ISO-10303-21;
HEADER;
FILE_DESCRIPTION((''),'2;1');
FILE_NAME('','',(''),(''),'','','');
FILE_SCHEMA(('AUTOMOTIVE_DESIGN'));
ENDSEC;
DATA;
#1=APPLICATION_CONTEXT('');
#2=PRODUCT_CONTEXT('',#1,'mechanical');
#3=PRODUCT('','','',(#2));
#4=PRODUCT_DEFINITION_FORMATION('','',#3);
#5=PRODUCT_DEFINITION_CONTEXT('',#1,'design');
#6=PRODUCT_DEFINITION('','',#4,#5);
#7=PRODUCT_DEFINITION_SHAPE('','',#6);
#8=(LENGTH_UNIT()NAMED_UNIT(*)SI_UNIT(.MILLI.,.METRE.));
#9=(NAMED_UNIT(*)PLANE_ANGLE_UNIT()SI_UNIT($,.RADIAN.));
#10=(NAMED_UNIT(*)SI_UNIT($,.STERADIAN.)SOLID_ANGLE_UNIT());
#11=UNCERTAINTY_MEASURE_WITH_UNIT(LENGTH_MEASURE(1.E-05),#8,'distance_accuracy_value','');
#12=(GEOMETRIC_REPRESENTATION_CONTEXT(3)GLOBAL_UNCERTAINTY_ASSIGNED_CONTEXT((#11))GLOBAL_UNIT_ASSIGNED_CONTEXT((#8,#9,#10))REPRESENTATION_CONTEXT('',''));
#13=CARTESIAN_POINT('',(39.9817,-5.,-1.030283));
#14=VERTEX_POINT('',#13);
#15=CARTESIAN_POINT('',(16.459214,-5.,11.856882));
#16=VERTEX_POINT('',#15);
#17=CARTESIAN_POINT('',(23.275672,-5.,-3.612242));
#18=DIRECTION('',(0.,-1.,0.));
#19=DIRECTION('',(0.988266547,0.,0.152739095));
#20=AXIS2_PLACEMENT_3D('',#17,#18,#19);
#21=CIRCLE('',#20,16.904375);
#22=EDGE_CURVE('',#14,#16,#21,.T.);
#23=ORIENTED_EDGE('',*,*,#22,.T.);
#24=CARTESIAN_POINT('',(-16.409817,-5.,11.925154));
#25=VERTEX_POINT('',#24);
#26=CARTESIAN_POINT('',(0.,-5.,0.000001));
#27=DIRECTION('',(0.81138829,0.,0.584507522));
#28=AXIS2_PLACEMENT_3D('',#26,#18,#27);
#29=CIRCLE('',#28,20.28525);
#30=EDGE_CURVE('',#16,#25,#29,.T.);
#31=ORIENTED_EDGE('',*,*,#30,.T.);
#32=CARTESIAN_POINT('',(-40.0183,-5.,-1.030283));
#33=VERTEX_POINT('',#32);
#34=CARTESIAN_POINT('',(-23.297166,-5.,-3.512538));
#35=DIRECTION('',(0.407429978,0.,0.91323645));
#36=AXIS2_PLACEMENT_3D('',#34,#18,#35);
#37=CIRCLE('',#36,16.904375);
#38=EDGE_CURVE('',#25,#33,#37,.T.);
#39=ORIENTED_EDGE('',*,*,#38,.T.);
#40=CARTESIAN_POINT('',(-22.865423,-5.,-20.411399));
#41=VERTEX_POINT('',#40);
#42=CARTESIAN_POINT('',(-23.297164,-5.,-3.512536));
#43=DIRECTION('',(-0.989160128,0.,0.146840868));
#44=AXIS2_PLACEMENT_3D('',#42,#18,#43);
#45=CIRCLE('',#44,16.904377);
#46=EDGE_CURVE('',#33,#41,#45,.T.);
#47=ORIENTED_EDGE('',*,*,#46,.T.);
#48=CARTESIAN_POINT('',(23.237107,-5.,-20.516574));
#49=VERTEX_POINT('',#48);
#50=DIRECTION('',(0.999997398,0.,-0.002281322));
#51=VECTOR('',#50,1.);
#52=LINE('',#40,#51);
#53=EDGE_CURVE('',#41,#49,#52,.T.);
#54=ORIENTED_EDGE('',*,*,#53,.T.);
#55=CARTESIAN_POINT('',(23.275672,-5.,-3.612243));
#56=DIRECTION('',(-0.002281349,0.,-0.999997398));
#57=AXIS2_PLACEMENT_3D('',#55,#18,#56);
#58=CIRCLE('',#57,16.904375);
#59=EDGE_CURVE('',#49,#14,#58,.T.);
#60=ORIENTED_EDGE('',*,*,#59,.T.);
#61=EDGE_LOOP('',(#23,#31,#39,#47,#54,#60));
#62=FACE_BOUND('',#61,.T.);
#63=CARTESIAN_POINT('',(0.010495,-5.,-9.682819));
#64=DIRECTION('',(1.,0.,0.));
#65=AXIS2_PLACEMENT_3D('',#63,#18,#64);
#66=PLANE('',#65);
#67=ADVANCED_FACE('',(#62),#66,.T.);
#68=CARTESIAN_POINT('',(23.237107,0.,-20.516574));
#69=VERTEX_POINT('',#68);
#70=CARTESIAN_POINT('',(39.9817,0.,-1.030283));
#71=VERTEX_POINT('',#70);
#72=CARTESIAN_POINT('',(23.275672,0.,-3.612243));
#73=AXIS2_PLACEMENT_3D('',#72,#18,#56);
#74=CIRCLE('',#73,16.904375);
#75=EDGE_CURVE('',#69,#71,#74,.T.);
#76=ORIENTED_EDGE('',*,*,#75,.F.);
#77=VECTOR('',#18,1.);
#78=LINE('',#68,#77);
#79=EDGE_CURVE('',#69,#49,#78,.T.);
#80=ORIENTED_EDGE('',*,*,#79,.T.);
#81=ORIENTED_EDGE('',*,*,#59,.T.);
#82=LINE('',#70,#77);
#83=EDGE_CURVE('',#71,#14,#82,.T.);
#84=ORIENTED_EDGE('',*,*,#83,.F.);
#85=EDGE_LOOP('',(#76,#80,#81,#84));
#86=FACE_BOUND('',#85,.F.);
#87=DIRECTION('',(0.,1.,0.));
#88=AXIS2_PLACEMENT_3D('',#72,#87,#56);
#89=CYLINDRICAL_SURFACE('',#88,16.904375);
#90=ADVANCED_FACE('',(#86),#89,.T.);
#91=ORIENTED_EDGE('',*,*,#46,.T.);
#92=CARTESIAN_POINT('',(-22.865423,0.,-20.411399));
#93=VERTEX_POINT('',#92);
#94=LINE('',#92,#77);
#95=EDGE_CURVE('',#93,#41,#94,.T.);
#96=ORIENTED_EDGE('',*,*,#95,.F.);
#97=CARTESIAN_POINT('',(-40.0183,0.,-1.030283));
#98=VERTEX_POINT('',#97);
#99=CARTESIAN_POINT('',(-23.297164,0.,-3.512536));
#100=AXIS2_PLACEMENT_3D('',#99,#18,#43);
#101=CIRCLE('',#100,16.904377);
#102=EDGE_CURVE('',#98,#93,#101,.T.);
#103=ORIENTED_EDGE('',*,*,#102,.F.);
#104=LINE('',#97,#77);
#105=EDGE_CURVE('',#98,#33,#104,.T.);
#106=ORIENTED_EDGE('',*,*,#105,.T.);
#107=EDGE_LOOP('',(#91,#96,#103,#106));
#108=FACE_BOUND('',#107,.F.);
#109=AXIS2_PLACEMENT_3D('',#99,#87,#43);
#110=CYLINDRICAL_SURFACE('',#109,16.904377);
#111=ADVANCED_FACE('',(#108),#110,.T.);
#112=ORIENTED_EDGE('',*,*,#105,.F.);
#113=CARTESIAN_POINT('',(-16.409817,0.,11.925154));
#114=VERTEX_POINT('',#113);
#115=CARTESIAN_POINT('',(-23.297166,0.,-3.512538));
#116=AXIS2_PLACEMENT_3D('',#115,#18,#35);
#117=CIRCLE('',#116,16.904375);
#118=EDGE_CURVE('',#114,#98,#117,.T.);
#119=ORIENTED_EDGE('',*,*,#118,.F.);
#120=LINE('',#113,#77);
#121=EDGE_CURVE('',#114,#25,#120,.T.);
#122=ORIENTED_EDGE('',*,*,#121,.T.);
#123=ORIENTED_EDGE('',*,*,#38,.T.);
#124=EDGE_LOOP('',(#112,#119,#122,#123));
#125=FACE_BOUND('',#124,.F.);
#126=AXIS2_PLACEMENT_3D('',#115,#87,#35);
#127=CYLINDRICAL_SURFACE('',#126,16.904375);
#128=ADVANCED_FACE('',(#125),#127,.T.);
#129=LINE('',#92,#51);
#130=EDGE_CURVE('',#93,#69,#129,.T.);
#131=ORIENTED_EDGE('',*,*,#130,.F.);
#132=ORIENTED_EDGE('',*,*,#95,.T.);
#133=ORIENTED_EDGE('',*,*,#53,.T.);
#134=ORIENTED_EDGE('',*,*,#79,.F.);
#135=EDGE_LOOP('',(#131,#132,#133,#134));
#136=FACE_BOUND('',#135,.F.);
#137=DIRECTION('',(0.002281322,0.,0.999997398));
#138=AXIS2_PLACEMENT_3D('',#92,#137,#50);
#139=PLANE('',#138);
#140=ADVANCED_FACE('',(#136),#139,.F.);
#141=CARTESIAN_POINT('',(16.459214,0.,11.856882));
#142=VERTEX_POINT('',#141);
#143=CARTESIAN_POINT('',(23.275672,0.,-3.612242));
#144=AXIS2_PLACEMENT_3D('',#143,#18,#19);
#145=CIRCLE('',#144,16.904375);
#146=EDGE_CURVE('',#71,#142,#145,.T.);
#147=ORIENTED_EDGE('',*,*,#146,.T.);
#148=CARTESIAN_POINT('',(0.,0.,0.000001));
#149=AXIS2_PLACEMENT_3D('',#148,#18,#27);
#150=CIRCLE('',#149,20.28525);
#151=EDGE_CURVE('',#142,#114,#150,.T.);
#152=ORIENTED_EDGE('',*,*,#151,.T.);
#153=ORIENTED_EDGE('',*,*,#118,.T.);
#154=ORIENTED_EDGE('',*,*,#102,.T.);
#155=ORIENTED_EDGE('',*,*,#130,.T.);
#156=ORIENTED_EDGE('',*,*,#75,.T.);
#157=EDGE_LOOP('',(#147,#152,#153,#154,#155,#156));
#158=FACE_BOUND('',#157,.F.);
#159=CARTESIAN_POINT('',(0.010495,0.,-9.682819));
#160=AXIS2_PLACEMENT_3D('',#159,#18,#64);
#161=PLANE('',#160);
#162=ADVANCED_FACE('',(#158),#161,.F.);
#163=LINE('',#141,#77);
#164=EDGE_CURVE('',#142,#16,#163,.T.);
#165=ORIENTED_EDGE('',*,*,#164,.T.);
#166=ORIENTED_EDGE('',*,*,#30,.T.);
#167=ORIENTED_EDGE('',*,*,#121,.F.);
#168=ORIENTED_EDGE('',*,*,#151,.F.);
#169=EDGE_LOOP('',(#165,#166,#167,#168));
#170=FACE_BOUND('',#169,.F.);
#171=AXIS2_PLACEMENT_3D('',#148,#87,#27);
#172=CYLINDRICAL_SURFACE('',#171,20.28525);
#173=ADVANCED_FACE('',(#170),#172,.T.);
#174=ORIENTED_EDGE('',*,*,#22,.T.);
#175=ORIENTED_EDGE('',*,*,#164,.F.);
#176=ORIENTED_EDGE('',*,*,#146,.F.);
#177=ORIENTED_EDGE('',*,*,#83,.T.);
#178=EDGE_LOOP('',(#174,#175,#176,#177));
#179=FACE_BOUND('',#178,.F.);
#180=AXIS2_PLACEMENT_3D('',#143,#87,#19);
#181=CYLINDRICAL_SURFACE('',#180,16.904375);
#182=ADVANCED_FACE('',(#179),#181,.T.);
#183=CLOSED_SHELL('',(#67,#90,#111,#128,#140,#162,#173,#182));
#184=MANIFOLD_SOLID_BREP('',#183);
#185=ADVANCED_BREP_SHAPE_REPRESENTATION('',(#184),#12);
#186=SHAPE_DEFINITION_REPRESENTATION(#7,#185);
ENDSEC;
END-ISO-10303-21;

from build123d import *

# Parameters (mm, degrees)
F1_DEPTH = 5


with BuildPart() as f1:
    # F0 (on Front) → F1 (new body)
    with BuildSketch(Plane.XZ):
        with BuildLine():
            ThreePointArc((23.237107, -20.516574), (36.096747, -14.629408), (39.9817, -1.030283))
            Line((39.9817, -1.030283), (-40.0183, -1.030283))
            ThreePointArc((-40.0183, -1.030283), (-35.955877, -14.715882), (-22.865423, -20.411399))
            Line((-22.865423, -20.411399), (23.237107, -20.516574))
        make_face()
        with BuildLine():
            ThreePointArc((39.9817, -1.030283), (31.397904, 11.212981), (16.459214, 11.856882))
            ThreePointArc((16.459214, 11.856882), (0.042134, 20.285207), (-16.409817, 11.925154))
            ThreePointArc((-16.409817, 11.925154), (-31.429611, 11.307086), (-40.0183, -1.030283))
            Line((-40.0183, -1.030283), (39.9817, -1.030283))
        make_face()
    extrude(amount=F1_DEPTH)


solid = f1.part
